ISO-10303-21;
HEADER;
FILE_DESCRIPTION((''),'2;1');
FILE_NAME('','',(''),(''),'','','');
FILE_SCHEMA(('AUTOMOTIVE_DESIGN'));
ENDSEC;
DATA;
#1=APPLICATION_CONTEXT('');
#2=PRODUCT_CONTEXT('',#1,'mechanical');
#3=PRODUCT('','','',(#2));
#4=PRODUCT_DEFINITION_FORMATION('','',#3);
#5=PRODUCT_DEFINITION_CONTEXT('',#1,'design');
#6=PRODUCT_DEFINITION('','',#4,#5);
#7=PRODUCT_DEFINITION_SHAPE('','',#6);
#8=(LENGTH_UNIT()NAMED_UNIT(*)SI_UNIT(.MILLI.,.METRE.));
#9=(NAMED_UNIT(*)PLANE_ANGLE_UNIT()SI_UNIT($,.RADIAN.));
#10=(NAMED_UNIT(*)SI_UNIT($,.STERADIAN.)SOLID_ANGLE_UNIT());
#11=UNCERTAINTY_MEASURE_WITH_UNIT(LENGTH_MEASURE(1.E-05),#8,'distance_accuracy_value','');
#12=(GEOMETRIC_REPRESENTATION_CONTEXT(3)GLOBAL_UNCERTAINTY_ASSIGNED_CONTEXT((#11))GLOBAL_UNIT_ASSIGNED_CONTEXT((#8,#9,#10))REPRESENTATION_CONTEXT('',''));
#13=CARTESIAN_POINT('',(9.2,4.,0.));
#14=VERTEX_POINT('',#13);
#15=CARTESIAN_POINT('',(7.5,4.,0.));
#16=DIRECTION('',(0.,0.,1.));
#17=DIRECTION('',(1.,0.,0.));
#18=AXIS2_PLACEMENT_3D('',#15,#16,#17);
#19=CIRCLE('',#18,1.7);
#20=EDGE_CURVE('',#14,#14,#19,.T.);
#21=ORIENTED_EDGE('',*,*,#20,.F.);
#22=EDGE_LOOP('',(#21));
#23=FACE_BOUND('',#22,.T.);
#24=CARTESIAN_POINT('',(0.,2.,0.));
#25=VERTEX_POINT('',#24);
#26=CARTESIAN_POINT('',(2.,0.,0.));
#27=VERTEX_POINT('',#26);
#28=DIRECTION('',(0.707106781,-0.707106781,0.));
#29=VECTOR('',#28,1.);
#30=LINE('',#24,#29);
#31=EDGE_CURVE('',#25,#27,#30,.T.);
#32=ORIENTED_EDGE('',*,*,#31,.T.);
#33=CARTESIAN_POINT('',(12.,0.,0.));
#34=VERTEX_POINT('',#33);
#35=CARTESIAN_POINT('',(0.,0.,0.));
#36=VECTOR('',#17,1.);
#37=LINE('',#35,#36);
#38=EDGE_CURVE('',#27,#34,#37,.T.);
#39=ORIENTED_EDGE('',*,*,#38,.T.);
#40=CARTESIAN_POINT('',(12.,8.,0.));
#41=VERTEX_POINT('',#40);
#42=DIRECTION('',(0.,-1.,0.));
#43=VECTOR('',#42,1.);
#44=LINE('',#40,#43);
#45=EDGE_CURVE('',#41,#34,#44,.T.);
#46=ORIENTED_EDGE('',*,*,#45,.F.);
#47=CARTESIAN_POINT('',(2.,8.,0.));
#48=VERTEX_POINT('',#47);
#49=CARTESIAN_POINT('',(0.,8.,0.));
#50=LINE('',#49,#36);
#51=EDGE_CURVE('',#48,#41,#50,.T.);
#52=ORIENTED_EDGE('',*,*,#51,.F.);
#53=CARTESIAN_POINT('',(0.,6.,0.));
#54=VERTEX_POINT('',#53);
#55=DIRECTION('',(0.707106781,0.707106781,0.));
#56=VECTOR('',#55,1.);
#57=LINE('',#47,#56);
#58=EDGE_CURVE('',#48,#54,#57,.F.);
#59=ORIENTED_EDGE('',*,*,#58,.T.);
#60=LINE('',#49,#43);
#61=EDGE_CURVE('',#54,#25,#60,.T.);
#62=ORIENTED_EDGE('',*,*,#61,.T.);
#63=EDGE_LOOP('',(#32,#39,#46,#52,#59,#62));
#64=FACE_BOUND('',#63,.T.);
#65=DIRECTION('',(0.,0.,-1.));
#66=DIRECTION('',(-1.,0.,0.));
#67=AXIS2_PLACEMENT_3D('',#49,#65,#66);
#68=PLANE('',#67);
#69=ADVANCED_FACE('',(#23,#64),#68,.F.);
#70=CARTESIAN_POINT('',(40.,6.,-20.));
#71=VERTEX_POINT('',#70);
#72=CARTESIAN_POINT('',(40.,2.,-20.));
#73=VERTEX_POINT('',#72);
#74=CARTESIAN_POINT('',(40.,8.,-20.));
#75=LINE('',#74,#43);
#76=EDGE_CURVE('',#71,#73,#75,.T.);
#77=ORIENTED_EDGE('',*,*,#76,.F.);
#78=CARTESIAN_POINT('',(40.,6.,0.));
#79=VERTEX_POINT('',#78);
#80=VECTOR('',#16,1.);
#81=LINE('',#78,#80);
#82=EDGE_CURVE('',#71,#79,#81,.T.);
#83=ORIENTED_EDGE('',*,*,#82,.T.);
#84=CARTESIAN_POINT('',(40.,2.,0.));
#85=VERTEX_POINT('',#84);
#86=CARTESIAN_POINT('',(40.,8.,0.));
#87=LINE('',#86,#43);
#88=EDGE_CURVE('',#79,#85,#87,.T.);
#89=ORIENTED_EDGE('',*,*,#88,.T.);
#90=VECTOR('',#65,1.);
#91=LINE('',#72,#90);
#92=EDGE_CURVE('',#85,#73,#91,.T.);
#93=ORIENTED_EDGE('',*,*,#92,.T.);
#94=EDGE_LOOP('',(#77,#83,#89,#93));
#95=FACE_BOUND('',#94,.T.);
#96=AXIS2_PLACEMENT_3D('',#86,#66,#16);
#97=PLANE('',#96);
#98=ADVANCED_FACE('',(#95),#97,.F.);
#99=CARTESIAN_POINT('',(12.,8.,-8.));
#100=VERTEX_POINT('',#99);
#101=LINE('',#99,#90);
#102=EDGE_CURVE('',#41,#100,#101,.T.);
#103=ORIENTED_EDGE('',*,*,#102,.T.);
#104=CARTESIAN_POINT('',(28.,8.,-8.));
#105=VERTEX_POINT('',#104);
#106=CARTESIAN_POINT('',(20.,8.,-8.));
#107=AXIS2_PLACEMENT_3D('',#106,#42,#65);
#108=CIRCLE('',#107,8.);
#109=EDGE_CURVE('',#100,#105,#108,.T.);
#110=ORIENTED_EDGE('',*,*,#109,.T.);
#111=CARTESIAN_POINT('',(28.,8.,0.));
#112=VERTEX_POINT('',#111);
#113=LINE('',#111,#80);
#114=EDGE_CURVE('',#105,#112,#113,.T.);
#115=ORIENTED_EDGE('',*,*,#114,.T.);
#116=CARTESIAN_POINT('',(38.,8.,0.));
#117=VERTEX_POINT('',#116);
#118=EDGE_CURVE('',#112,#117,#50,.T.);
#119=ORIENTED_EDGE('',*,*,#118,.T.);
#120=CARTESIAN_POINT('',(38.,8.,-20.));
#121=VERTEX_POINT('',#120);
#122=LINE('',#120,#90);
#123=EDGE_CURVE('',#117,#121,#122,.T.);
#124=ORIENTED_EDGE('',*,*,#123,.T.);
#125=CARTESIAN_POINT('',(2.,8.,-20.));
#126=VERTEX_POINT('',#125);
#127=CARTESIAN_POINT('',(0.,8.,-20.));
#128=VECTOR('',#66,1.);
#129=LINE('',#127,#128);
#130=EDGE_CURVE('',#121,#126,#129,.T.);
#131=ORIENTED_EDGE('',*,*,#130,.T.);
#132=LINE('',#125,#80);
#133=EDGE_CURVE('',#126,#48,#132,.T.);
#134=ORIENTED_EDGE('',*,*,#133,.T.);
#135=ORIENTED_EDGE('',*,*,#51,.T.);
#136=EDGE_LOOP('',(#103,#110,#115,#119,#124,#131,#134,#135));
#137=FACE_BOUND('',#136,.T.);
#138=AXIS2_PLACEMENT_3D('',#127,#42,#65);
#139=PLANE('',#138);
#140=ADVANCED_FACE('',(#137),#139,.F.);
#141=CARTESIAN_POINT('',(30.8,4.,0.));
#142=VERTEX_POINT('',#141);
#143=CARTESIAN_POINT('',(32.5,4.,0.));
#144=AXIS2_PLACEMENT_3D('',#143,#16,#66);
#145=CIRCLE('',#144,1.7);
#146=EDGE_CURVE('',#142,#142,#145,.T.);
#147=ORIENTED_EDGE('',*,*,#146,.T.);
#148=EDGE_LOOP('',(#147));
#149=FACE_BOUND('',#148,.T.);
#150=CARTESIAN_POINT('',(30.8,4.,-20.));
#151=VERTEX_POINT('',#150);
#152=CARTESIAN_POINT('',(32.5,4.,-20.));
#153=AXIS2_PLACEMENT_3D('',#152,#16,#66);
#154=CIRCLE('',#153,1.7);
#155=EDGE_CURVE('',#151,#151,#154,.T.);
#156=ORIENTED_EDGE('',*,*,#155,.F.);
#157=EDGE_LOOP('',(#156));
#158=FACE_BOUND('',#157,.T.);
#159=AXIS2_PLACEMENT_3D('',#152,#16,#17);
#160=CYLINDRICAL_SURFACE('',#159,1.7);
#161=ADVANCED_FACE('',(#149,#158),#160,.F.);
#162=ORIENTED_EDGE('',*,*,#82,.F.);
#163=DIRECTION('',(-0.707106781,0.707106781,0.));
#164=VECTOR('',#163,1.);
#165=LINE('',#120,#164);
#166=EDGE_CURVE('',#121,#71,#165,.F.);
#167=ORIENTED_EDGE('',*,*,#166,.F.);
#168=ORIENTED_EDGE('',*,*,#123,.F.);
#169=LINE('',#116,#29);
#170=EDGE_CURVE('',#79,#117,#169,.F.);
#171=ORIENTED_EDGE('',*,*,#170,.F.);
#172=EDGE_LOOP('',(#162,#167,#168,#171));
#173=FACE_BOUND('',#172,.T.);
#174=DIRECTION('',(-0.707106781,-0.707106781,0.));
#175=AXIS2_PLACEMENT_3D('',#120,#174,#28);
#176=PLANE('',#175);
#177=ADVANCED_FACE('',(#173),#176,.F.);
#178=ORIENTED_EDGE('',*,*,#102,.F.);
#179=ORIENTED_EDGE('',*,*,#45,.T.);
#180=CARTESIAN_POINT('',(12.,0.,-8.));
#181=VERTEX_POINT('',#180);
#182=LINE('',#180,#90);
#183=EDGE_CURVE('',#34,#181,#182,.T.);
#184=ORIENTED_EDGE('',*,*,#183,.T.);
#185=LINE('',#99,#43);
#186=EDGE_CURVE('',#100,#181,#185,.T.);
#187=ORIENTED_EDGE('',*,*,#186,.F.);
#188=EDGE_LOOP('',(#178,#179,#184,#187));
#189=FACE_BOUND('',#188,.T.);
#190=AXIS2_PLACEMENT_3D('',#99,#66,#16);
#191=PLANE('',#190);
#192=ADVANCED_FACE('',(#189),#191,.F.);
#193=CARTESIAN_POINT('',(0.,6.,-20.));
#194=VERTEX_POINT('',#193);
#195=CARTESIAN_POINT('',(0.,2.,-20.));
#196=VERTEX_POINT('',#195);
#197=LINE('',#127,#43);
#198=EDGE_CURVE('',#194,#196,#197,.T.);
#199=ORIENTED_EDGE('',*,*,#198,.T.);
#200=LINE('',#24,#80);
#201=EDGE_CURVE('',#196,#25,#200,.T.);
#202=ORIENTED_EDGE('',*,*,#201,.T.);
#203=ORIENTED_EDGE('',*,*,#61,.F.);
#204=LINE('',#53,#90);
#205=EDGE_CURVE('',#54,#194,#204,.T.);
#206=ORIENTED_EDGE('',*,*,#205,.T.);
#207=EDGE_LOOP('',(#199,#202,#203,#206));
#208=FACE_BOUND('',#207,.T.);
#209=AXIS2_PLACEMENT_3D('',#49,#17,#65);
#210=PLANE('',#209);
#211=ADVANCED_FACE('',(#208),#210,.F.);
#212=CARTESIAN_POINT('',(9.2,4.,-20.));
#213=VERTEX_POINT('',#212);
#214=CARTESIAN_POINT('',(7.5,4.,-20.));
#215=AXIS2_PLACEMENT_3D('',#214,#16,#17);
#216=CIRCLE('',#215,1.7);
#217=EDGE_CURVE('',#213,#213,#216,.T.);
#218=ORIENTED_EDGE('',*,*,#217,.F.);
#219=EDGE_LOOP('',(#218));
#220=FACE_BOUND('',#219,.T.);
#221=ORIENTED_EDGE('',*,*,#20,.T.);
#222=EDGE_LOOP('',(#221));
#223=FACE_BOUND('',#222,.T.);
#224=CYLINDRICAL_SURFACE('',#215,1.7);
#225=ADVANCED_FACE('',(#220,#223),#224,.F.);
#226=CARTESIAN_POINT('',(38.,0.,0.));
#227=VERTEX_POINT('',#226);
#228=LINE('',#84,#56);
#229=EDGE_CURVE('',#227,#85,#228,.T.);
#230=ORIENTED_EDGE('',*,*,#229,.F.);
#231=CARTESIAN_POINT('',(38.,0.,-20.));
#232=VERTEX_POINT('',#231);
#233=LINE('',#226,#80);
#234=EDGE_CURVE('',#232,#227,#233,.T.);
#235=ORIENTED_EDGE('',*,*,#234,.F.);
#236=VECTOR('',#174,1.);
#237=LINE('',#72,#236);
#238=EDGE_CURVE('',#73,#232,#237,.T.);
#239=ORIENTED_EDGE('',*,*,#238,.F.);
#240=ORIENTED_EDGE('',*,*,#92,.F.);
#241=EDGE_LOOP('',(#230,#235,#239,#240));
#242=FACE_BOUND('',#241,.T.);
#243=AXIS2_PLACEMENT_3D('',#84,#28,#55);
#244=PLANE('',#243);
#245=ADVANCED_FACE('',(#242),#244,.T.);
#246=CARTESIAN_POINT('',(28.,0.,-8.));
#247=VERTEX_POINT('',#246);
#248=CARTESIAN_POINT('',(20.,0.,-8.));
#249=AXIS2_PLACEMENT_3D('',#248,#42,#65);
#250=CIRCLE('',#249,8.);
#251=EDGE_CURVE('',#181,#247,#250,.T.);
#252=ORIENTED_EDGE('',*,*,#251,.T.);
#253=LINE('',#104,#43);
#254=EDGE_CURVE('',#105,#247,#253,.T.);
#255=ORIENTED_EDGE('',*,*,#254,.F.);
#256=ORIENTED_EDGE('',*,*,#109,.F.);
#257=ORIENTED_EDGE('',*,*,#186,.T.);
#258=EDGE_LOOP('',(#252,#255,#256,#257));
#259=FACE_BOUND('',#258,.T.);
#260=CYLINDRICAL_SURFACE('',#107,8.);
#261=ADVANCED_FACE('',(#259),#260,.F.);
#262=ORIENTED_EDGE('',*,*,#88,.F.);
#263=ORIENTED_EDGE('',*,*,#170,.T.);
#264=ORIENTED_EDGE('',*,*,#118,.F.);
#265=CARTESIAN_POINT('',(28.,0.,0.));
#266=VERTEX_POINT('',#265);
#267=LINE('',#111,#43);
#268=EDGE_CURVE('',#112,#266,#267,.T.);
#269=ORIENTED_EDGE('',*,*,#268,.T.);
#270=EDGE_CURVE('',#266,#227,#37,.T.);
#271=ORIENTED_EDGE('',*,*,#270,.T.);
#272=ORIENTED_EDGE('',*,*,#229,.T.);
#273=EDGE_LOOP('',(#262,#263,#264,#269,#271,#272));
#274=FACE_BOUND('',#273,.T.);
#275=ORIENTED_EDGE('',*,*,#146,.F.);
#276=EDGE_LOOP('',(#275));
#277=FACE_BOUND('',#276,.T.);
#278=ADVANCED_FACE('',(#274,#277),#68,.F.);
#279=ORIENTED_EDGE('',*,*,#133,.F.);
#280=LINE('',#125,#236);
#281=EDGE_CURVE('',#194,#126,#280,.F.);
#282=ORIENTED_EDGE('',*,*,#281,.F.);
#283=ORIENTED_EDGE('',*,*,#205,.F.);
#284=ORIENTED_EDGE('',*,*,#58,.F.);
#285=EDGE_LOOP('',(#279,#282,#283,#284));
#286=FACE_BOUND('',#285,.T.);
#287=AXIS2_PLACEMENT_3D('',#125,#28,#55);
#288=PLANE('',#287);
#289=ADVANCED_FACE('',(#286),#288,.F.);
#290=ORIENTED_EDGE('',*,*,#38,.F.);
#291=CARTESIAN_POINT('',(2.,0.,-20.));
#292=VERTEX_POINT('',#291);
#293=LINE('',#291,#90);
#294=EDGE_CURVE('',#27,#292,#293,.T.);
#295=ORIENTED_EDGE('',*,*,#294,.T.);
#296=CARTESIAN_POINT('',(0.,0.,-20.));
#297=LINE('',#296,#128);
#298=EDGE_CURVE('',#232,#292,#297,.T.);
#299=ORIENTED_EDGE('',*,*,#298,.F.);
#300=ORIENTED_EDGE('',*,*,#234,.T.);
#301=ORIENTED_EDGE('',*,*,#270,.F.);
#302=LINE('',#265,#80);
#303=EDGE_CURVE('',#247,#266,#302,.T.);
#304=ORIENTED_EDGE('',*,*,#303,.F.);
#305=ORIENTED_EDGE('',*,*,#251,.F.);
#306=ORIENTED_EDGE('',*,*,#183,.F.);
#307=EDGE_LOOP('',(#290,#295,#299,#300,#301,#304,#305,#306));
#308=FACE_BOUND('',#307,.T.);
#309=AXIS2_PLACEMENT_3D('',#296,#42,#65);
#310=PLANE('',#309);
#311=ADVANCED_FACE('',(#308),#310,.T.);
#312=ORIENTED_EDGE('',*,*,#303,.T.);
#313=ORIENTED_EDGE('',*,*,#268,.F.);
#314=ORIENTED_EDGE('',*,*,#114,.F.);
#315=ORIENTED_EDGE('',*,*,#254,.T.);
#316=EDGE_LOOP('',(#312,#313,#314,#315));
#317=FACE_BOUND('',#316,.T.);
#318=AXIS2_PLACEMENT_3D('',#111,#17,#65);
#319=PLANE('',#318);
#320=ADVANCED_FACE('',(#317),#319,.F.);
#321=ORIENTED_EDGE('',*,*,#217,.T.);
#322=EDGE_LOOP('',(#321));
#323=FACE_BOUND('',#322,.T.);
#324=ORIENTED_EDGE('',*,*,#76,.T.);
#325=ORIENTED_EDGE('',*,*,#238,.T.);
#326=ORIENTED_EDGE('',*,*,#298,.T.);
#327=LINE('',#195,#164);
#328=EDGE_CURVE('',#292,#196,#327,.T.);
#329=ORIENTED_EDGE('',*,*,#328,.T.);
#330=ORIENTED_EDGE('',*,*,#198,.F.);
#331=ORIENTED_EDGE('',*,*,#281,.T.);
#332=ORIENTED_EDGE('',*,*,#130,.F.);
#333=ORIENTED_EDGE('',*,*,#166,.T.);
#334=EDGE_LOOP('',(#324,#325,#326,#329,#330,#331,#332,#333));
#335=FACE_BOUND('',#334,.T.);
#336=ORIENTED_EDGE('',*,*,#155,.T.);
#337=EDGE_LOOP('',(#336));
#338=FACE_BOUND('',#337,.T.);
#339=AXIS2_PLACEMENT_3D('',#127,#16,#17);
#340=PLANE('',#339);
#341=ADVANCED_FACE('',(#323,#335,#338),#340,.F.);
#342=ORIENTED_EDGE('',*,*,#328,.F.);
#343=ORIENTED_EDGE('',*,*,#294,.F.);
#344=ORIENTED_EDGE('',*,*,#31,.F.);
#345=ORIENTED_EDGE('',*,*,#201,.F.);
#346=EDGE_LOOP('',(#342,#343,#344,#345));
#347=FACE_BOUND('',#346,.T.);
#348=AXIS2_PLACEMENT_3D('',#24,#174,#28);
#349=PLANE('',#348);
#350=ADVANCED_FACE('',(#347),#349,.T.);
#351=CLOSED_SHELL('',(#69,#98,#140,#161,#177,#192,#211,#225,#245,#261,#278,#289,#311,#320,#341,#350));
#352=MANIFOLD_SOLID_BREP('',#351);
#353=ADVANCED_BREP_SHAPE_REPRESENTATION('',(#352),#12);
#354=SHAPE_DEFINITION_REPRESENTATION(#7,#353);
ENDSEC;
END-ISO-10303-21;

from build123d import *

# Parameters (mm, degrees)
SKETCH2_W           = 40
SKETCH2_H           = 20
BOSS_EXTRUDE1_DEPTH = 8
CUT_EXTRUDE1_DEPTH  = 9
SKETCH4_R           = 1.7
CUT_EXTRUDE2_DEPTH  = 21
CHAMFER1_SIZE       = 2


with BuildPart() as part:
    # Sketch2 → Boss-Extrude1 (new body)
    with BuildSketch(Plane(origin=(0, 0, 0), x_dir=(1, 0, 0), z_dir=(0, 1, 0))):
        with Locations((20, 10)):
            Rectangle(SKETCH2_W, SKETCH2_H)
    extrude(amount=BOSS_EXTRUDE1_DEPTH)

    # Sketch3 → Cut-Extrude1 (cut, through all)
    with BuildSketch(Plane.XZ):
        with BuildLine():
            Line((12, -8), (12, 0))
            Line((12, 0), (28, 0))
            Line((28, 0), (28, -8))
            ThreePointArc((28, -8), (20, -16), (12, -8))
        make_face()
    extrude(amount=-CUT_EXTRUDE1_DEPTH, mode=Mode.SUBTRACT)

    # Sketch4 → Cut-Extrude2 (cut, through all)
    with BuildSketch(Plane.XY):
        with Locations((7.5, 4)):
            Circle(SKETCH4_R)
        with Locations((32.5, 4)):
            Circle(SKETCH4_R)
    extrude(amount=-CUT_EXTRUDE2_DEPTH, mode=Mode.SUBTRACT)

    # Chamfer1
    chamfer1_edges = [part.edges().sort_by_distance(p)[0] for p in [
        (40, 8, -10),
        (0, 8, -10),
        (40, 0, -10),
        (0, 0, -10),
    ]]
    chamfer(chamfer1_edges, length=CHAMFER1_SIZE)


solid = part.part
